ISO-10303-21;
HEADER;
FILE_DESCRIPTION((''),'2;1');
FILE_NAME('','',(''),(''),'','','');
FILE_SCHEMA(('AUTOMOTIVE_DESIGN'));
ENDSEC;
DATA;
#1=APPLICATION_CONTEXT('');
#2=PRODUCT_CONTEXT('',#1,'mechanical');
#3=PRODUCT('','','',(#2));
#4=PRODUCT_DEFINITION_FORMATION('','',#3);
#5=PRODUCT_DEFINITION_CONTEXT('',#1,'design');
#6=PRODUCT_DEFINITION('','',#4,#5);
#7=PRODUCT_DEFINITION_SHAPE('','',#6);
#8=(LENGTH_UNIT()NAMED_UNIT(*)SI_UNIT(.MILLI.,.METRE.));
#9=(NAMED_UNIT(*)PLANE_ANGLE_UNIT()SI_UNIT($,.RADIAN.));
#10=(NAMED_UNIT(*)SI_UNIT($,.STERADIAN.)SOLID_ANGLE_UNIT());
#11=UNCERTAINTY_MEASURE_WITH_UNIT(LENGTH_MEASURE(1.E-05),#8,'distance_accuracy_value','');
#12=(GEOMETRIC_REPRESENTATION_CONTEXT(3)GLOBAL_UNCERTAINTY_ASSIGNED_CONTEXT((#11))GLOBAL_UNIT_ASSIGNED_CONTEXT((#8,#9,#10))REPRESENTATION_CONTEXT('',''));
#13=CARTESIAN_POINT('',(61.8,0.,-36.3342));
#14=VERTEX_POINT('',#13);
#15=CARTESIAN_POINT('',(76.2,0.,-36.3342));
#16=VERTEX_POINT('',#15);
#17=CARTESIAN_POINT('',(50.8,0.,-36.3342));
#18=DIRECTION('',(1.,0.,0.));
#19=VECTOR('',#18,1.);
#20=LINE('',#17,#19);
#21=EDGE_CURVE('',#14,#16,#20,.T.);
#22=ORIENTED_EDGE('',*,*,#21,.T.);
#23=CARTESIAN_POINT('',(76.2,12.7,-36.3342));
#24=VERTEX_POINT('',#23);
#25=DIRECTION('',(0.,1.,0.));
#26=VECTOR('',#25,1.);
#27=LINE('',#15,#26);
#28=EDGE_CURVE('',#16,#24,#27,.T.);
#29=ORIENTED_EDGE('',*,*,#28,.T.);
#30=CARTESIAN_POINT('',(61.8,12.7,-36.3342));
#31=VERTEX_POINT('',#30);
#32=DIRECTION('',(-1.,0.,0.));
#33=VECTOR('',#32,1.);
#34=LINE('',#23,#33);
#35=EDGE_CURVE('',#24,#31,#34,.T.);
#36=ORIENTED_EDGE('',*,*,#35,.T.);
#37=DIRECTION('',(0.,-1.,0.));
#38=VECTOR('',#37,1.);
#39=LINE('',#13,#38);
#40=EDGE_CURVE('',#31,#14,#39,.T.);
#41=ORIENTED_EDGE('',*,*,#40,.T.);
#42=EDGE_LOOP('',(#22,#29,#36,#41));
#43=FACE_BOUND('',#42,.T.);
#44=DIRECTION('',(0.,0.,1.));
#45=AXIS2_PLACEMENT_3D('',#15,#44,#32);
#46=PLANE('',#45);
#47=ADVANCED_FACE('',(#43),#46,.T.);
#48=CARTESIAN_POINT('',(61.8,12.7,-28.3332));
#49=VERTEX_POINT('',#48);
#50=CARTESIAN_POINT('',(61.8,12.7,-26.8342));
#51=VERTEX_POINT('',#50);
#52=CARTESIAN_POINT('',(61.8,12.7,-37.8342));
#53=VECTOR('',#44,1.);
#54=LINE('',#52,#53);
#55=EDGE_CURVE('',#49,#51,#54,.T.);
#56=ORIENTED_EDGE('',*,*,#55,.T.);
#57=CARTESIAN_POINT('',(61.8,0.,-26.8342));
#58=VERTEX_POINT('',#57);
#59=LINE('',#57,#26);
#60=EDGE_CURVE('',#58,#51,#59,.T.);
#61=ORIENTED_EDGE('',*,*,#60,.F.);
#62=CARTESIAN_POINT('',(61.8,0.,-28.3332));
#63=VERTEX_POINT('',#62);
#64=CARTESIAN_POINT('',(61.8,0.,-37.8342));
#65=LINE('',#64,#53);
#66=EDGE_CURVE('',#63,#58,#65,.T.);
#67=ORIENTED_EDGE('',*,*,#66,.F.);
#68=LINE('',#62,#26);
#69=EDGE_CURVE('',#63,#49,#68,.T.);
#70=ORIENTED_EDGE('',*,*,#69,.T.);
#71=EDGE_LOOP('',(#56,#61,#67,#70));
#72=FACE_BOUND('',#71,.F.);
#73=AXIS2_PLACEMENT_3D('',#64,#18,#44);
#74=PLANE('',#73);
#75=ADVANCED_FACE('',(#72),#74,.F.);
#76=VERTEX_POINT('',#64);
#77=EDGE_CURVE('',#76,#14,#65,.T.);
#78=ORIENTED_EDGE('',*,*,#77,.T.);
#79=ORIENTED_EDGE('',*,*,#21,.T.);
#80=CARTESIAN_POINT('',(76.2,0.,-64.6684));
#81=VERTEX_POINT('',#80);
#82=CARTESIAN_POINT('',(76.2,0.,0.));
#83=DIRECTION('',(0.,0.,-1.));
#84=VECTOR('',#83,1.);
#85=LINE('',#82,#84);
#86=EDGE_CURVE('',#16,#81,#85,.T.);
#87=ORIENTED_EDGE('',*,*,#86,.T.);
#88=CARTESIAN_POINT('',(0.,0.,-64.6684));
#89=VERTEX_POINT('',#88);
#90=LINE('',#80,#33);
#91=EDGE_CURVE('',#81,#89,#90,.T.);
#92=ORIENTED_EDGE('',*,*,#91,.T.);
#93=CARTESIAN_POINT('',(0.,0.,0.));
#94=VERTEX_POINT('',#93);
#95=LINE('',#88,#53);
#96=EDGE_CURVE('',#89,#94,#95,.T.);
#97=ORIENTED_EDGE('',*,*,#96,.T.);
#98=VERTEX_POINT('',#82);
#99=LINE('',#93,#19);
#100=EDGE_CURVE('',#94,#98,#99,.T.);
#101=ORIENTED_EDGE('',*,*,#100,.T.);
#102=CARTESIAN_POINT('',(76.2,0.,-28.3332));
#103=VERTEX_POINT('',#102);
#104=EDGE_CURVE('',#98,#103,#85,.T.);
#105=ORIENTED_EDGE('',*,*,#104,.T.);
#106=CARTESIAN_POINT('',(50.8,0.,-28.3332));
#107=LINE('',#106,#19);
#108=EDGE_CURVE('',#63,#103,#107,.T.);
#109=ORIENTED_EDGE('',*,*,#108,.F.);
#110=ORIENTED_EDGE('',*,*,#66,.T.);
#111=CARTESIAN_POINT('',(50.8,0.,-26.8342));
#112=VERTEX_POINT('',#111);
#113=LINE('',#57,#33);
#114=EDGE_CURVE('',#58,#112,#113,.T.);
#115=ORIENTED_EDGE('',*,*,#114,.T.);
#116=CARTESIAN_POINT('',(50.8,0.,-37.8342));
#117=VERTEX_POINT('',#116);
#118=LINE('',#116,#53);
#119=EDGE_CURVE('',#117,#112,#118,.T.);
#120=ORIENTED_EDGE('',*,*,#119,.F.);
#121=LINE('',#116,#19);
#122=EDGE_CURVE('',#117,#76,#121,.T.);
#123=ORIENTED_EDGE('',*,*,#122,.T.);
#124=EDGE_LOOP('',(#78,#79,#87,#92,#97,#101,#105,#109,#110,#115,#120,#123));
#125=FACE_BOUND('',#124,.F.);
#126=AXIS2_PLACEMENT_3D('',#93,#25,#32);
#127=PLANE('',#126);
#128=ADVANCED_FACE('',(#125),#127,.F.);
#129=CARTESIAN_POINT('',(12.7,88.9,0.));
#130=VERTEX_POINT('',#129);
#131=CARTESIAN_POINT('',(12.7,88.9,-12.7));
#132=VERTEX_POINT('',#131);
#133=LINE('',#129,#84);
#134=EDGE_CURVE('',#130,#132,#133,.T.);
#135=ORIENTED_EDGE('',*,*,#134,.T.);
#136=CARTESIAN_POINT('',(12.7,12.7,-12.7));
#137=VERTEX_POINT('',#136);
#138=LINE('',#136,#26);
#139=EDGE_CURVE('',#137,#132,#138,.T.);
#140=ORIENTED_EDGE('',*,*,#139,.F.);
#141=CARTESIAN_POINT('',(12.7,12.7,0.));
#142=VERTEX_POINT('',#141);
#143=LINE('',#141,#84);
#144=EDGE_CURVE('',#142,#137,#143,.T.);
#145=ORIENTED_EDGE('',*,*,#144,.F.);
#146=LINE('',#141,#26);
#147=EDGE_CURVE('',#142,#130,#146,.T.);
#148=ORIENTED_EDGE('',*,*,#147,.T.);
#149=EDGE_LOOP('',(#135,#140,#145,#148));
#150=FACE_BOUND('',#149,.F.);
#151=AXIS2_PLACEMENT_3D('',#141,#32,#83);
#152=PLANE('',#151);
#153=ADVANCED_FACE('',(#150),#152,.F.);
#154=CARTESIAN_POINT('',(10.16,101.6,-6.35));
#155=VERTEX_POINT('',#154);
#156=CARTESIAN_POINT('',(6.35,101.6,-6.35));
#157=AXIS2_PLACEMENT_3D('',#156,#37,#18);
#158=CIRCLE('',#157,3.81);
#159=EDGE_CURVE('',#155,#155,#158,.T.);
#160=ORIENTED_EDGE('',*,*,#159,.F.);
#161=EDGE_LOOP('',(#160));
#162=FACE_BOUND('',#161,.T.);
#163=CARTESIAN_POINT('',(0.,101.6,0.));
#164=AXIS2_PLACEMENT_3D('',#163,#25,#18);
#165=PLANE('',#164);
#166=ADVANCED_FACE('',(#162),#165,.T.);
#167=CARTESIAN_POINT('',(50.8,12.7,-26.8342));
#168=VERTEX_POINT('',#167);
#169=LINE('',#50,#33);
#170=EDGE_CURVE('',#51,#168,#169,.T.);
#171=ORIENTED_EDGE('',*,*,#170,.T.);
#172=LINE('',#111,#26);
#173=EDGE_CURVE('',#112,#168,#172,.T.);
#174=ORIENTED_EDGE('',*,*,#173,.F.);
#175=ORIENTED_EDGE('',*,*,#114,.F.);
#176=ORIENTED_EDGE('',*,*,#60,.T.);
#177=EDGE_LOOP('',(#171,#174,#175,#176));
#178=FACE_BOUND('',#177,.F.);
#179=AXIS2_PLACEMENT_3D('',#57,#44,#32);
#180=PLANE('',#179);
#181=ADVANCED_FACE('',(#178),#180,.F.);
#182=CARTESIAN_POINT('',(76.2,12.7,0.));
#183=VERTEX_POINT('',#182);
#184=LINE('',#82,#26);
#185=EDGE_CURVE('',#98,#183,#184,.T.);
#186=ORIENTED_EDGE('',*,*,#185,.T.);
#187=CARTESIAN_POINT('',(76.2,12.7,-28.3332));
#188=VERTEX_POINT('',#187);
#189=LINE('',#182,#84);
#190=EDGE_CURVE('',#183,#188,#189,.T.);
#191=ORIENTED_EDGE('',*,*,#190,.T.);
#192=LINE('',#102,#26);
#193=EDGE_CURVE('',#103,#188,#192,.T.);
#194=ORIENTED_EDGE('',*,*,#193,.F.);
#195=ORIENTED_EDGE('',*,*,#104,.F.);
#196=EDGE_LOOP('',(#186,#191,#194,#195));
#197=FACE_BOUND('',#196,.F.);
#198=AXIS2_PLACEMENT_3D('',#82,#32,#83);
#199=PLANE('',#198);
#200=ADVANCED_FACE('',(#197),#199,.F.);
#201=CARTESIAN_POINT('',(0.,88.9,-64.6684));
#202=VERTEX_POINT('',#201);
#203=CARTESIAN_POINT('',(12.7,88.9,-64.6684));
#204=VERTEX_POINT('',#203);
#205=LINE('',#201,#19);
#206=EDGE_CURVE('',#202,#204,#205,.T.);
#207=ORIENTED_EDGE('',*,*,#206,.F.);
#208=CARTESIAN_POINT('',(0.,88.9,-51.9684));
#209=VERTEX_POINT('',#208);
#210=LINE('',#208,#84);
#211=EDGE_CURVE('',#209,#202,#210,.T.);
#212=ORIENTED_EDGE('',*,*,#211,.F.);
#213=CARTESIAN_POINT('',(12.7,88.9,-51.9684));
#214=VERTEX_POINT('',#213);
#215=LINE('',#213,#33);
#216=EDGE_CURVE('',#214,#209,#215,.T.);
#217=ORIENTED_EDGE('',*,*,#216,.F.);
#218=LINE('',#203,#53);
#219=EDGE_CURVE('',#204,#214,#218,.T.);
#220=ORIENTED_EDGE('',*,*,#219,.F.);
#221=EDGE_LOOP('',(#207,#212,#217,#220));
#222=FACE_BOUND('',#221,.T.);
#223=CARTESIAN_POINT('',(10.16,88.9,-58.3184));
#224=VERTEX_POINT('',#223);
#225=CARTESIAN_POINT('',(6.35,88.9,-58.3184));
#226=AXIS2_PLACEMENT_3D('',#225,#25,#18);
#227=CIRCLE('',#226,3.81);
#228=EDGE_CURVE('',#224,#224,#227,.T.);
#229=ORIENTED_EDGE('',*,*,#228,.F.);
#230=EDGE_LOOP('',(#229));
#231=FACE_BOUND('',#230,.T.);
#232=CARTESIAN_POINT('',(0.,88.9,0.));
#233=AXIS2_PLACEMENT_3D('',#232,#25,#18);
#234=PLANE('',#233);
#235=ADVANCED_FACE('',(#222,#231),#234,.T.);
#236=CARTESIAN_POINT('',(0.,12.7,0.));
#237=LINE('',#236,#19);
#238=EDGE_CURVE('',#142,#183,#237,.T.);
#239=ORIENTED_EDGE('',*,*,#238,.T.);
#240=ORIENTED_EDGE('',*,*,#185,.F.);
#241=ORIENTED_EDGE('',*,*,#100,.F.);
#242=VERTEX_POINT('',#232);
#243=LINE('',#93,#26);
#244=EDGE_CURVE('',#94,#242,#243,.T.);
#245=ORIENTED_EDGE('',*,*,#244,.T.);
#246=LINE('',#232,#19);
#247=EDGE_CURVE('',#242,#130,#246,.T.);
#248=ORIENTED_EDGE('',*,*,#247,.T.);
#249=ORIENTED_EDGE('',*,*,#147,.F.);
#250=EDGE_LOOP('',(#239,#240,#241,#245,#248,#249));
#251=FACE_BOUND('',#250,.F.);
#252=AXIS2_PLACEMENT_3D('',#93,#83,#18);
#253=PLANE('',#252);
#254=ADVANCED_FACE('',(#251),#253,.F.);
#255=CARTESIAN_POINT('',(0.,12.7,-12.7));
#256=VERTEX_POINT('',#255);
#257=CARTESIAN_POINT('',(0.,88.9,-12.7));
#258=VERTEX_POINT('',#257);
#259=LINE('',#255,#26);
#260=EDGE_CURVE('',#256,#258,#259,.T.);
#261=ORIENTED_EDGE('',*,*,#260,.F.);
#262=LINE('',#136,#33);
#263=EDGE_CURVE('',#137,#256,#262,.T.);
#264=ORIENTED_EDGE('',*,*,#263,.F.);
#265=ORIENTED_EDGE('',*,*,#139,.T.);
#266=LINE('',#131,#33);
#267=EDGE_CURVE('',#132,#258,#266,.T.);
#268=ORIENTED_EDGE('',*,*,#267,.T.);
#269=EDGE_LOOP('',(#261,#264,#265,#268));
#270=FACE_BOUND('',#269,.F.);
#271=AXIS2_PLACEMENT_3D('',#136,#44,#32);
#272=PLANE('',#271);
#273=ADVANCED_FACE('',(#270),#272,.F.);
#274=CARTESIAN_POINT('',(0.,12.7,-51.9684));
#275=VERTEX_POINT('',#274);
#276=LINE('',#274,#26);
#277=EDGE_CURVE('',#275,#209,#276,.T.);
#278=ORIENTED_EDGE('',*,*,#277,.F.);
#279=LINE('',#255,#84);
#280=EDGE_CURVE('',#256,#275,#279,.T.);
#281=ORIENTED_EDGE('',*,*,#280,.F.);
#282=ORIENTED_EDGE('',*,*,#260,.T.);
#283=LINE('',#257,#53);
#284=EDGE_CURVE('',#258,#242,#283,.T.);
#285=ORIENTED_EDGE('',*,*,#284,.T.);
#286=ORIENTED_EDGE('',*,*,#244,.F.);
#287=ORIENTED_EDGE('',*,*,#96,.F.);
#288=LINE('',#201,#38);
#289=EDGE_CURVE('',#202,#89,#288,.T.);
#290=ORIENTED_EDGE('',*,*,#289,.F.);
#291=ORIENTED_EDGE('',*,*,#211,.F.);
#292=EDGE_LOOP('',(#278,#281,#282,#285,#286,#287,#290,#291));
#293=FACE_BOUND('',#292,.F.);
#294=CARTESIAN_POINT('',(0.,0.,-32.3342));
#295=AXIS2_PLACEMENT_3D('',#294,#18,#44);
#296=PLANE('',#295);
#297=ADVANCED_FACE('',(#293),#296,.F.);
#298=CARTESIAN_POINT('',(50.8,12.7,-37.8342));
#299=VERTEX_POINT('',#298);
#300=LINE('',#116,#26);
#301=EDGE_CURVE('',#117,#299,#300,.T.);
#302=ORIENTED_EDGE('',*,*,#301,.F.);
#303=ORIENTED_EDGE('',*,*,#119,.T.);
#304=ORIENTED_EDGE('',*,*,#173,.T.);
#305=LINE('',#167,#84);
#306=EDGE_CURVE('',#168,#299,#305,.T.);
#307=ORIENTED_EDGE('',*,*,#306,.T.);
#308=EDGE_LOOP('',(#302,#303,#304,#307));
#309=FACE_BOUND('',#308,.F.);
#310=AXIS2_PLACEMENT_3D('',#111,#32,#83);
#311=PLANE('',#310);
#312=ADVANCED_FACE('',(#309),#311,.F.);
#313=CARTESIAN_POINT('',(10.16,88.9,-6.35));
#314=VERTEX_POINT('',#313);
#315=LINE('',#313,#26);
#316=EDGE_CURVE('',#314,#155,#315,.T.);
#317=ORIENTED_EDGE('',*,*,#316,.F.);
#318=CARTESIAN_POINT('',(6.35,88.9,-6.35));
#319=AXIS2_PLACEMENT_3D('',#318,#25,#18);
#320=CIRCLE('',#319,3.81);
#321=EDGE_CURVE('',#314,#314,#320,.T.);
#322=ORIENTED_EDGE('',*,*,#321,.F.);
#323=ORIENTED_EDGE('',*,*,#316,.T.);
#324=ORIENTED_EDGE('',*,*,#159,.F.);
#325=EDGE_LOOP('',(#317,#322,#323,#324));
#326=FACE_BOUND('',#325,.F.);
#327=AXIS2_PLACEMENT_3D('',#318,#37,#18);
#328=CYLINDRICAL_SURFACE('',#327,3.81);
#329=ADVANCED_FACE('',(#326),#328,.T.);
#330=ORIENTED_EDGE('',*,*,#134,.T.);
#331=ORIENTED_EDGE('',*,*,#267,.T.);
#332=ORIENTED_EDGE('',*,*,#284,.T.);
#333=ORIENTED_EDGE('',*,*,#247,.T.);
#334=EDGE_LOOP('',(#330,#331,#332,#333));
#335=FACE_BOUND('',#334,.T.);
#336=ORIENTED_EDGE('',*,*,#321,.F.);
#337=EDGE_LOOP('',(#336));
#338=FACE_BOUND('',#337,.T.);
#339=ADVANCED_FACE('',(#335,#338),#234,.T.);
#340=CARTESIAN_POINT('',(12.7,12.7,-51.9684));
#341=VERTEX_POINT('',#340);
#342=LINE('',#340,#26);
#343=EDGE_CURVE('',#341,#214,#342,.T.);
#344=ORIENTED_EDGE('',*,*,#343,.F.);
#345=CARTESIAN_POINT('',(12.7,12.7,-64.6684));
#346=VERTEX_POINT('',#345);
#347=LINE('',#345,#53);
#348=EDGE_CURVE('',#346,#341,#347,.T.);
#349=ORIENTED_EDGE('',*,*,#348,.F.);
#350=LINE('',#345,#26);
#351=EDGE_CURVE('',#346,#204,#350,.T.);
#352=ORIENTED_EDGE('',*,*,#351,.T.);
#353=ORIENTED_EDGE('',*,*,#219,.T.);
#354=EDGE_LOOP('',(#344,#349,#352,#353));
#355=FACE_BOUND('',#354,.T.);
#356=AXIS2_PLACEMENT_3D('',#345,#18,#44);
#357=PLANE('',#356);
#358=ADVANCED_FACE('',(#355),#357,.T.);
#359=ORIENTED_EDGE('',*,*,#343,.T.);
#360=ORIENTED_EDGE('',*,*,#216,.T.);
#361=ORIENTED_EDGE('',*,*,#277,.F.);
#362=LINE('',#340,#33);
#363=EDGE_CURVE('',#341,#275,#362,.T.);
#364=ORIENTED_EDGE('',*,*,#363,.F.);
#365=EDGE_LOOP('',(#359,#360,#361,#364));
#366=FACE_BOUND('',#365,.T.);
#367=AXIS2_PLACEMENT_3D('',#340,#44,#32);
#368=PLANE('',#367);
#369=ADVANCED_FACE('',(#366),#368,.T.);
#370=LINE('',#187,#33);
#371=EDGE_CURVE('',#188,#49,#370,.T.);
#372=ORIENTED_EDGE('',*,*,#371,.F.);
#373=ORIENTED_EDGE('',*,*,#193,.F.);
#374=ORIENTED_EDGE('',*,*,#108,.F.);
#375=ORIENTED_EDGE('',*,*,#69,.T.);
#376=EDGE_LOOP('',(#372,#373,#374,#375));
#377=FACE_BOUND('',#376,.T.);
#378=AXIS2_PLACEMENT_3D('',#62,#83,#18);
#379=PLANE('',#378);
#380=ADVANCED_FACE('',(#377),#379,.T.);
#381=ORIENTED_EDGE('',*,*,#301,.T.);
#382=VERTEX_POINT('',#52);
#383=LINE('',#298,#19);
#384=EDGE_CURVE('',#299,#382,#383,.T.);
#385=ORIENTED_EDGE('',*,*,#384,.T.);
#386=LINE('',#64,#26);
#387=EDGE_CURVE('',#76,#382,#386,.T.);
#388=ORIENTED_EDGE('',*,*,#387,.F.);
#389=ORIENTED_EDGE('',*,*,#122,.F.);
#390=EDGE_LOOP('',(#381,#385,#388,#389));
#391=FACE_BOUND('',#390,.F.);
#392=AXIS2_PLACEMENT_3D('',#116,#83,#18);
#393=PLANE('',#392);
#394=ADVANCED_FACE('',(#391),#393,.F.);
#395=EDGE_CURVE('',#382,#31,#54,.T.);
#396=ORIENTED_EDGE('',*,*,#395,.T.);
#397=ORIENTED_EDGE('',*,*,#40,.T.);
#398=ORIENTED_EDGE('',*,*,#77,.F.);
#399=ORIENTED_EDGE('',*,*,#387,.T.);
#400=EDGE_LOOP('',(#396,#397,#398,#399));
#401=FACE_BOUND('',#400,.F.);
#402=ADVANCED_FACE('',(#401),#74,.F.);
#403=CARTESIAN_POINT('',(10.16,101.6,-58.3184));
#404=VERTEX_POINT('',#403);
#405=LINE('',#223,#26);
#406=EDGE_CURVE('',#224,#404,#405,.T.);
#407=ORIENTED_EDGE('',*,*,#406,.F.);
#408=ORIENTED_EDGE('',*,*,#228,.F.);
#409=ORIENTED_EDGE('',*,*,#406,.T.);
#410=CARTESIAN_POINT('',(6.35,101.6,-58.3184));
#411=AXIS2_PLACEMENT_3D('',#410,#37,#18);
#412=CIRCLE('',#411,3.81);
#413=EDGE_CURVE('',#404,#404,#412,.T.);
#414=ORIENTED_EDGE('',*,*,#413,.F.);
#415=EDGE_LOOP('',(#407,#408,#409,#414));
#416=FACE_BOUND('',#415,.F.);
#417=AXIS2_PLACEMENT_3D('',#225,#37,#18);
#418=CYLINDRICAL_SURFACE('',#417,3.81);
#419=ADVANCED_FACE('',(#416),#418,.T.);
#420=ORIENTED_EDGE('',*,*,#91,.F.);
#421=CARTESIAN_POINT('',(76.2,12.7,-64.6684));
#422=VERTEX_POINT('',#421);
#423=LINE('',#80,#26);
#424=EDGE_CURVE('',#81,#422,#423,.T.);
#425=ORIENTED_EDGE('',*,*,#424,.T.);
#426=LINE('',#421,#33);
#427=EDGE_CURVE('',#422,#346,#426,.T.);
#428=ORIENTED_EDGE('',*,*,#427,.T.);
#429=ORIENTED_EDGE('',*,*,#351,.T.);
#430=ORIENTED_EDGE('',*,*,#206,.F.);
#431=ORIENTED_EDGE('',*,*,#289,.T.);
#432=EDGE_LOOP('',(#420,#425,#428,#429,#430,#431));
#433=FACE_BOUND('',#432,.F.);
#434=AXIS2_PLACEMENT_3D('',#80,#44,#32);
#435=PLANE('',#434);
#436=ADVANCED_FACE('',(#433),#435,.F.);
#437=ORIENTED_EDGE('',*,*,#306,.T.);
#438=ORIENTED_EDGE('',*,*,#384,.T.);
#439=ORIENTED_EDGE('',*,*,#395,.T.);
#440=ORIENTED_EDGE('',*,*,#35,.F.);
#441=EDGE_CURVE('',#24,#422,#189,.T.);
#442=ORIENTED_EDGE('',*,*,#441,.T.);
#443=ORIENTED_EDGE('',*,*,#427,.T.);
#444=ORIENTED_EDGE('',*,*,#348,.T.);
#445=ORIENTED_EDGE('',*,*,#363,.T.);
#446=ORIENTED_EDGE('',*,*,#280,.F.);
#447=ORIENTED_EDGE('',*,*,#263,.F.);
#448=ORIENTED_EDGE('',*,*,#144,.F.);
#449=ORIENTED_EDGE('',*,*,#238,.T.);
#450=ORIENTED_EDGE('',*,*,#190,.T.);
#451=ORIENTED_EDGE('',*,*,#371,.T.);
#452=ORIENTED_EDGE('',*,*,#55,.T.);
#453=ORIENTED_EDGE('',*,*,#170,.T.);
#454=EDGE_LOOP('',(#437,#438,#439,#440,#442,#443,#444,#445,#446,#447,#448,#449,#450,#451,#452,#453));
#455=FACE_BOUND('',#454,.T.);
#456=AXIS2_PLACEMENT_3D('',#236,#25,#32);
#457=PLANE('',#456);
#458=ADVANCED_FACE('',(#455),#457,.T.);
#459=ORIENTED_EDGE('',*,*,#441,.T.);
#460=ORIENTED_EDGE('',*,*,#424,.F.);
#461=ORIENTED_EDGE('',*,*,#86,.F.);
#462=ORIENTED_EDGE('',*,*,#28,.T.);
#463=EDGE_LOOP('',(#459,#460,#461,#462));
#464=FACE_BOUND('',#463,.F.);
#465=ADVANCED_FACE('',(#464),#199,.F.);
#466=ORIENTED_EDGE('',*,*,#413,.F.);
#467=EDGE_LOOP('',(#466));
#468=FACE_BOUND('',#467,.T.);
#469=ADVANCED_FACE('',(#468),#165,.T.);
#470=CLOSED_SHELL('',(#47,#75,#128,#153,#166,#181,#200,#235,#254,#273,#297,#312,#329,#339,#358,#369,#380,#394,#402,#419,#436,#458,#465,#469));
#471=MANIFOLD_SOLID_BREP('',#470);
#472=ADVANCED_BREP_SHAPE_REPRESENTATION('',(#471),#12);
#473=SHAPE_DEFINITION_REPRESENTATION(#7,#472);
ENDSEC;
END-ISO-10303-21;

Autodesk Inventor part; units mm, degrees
ref_plane "YZ Plane" through (0, 0, 0) normal (1, 0, 0) x (0, 1, 0)
ref_plane "XZ Plane" through (0, 0, 0) normal (0, 1, 0) x (-1, 0, 0)
ref_plane "XY Plane" through (0, 0, 0) normal (0, 0, 1) x (1, 0, 0)
sketch "Sketch1" plane through (0, 0, 0) normal (0, 1, 0) x (-1, 0, 0)
  line L0 (0, 0) -> (-76.2, 0)
  line L1 (-76.2, 0) -> (-76.2, -64.6684)
  line L2 (-76.2, -64.6684) -> (0, -64.6684)
  line L3 (0, -64.6684) -> (0, 0)
  line L4 (0, -32.3342) -> (-50.8, -32.3342)
  line L5 (-50.8, -32.3342) -> (-50.8, -37.8342)
  line L6 (-50.8, -37.8342) -> (-61.8, -37.8342)
  line L7 (-61.8, -37.8342) -> (-61.8, -26.8342)
  line L8 (-61.8, -26.8342) -> (-50.8, -26.8342)
  line L9 (-50.8, -26.8342) -> (-50.8, -37.8342)
  dimension "d0" = 76.2
  dimension "d1" = 64.6684
  dimension "d2" = 50.8
  dimension "d3" = 5.5
  dimension "d4" = 11
  dimension "d5" = 11
extrude "Extrusion1" add sketch "Sketch1" along normal blind 12.7
sketch "Sketch2" plane through (0, 12.7, 0) normal (0, 1, 0) x (1, 0, 0)
  line L0 (0, 0) -> (76.2, 0) projected
  line L1 (0, 0) -> (12.7, 0)
  line L2 (12.7, 0) -> (12.7, 12.7)
  line L3 (12.7, 12.7) -> (0, 12.7)
  line L4 (0, 12.7) -> (0, 0)
  line L5 (0, 64.6684) -> (12.7, 64.6684)
  line L6 (12.7, 64.6684) -> (12.7, 51.9684)
  line L7 (12.7, 51.9684) -> (0, 51.9684)
  line L8 (0, 51.9684) -> (0, 64.6684)
  dimension "d8" = 12.7
  dimension "d9" = 12.7
  dimension "d10" = 12.7
  dimension "d11" = 12.7
extrude "Extrusion2" add sketch "Sketch2" along normal blind 76.2
sketch "Sketch3" plane through (0, 88.9, 0) normal (0, 1, 0) x (1, 0, 0)
  line L0 (0, 0) -> (0, 6.35)
  line L1 (0, 64.6684) -> (0, 0) projected
  line L2 (0, 6.35) -> (6.35, 6.35)
  circle A0 centre (6.35, 6.35) radius 3.81
  line L3 (0, 64.6684) -> (0, 58.3184)
  line L4 (0, 58.3184) -> (6.35, 58.3184)
  circle A1 centre (6.35, 58.3184) radius 3.81
  dimension "d14" = 6.35
  dimension "d15" = 6.35
  dimension "d16" = 7.62
  dimension "d17" = 6.35
  dimension "d18" = 7.62
extrude "Extrusion3" add sketch "Sketch3" along normal blind 12.7
sketch "Sketch4" plane through (0, 0, 0) normal (0, -1, 0) x (1, 0, 0)
  line L0 (76.2, 0) -> (76.2, -64.6684) projected
  line L1 (76.2, -32.3342) -> (76.2, -36.3342)
  line L2 (76.2, -36.3342) -> (61.8, -36.3342)
  line L3 (61.8, -37.8342) -> (61.8, -26.8342) projected
  line L4 (76.2, -36.3342) -> (50.8, -36.3342)
  line L5 (50.8, -36.3342) -> (50.8, -28.3332)
  line L6 (50.8, -28.3332) -> (76.2, -28.3332)
  line L7 (76.2, -28.3332) -> (76.2, -36.3342)
  point P0 (0, 0)
  dimension "d21" = 4
  dimension "d22" = 25.4
  dimension "d23" = 8.001
extrude "Extrusion4" cut sketch "Sketch4" against normal blind 12.7
properties part number "Maglev_top"
